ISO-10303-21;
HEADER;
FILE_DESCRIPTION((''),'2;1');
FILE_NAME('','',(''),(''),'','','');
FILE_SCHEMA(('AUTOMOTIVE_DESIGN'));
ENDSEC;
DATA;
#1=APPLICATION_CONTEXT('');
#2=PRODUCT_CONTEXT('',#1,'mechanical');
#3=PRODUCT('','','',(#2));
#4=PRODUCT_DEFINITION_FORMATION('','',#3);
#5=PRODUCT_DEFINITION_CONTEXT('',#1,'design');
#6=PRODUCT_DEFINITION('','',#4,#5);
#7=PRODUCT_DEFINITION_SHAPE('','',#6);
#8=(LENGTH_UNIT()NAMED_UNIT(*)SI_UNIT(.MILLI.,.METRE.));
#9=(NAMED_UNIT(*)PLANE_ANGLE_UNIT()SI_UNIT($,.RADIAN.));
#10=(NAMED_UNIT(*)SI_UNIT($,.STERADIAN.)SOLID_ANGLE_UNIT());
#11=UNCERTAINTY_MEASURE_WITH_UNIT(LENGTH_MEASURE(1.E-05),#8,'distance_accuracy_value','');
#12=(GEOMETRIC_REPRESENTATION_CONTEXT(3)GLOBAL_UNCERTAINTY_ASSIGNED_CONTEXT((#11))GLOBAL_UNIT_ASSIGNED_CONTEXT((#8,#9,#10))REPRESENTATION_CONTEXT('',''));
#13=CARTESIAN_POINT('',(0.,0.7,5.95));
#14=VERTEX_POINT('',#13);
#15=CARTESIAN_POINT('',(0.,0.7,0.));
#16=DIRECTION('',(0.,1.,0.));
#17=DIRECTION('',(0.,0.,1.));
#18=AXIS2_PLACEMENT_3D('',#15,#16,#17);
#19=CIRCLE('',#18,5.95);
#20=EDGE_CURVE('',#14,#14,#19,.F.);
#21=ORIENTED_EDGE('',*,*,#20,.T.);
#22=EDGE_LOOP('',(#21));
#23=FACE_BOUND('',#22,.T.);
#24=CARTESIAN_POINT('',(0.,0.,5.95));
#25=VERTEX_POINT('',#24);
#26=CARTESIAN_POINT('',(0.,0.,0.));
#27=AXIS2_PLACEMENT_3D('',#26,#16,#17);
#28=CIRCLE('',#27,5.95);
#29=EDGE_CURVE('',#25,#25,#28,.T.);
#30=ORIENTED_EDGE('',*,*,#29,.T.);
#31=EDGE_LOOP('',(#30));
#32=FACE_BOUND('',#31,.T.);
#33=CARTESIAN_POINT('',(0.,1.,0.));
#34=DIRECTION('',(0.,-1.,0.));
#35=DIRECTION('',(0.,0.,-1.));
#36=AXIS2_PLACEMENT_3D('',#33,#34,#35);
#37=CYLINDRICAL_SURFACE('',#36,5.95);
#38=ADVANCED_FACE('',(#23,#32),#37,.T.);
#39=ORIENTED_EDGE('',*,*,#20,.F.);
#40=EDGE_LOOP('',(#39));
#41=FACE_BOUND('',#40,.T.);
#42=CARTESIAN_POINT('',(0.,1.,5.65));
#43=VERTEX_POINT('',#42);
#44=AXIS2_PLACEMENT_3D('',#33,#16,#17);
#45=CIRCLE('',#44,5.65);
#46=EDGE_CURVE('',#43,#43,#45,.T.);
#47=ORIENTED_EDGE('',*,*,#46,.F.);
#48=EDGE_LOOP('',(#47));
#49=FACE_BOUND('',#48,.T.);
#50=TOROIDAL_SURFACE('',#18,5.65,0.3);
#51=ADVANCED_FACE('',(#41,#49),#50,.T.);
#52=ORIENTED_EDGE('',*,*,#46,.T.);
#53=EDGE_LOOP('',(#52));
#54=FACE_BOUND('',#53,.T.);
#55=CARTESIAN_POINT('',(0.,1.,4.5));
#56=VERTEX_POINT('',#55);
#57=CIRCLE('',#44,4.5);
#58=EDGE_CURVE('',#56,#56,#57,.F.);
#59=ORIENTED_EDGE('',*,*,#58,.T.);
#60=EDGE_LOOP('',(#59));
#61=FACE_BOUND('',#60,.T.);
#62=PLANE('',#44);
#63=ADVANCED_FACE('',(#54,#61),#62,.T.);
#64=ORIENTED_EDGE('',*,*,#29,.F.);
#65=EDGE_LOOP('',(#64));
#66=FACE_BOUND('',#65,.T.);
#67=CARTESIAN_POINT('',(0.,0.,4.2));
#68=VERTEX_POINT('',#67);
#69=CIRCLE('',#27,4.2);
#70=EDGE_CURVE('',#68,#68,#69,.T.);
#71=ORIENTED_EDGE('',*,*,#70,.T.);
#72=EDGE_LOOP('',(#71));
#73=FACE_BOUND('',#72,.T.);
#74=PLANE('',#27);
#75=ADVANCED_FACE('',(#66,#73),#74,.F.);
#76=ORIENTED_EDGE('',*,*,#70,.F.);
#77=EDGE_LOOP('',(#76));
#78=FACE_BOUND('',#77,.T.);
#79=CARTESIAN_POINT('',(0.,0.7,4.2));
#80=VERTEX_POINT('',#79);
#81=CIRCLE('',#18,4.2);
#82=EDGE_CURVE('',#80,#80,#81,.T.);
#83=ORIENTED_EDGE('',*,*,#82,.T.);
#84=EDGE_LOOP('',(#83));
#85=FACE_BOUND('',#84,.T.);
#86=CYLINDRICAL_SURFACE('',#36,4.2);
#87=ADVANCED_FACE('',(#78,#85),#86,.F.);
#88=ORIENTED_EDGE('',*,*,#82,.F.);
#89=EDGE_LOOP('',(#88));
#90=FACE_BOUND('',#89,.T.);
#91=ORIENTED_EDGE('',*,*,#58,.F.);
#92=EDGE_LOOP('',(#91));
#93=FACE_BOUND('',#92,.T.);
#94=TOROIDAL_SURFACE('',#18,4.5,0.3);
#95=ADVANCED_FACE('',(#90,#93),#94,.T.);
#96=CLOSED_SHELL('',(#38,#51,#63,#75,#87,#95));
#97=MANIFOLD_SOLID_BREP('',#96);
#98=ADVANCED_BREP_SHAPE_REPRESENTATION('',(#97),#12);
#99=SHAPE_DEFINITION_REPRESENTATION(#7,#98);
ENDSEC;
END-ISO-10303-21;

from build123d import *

# Parameters (mm, degrees)
SKETCH1_R           = 5.95
SKETCH1_R_2         = 4.2
BOSS_EXTRUDE1_DEPTH = 1
FILLET1_R           = 0.3


with BuildPart() as part:
    # Sketch1 → Boss-Extrude1 (new body)
    with BuildSketch(Plane(origin=(0, 0, 0), x_dir=(1, 0, 0), z_dir=(0, 1, 0))):
        with Locations(Location((0, 0, 0), (0, 0, 270))):
            Circle(SKETCH1_R)
        with Locations(Location((0, 0, 0), (0, 0, 270))):
            Circle(SKETCH1_R_2, mode=Mode.SUBTRACT)
    extrude(amount=BOSS_EXTRUDE1_DEPTH)

    # Fillet1
    fillet1_edges = [part.edges().sort_by_distance(p)[0] for p in [
        (0, 1, -5.95),
        (0, 1, -4.2),
    ]]
    fillet(fillet1_edges, radius=FILLET1_R)


solid = part.part
